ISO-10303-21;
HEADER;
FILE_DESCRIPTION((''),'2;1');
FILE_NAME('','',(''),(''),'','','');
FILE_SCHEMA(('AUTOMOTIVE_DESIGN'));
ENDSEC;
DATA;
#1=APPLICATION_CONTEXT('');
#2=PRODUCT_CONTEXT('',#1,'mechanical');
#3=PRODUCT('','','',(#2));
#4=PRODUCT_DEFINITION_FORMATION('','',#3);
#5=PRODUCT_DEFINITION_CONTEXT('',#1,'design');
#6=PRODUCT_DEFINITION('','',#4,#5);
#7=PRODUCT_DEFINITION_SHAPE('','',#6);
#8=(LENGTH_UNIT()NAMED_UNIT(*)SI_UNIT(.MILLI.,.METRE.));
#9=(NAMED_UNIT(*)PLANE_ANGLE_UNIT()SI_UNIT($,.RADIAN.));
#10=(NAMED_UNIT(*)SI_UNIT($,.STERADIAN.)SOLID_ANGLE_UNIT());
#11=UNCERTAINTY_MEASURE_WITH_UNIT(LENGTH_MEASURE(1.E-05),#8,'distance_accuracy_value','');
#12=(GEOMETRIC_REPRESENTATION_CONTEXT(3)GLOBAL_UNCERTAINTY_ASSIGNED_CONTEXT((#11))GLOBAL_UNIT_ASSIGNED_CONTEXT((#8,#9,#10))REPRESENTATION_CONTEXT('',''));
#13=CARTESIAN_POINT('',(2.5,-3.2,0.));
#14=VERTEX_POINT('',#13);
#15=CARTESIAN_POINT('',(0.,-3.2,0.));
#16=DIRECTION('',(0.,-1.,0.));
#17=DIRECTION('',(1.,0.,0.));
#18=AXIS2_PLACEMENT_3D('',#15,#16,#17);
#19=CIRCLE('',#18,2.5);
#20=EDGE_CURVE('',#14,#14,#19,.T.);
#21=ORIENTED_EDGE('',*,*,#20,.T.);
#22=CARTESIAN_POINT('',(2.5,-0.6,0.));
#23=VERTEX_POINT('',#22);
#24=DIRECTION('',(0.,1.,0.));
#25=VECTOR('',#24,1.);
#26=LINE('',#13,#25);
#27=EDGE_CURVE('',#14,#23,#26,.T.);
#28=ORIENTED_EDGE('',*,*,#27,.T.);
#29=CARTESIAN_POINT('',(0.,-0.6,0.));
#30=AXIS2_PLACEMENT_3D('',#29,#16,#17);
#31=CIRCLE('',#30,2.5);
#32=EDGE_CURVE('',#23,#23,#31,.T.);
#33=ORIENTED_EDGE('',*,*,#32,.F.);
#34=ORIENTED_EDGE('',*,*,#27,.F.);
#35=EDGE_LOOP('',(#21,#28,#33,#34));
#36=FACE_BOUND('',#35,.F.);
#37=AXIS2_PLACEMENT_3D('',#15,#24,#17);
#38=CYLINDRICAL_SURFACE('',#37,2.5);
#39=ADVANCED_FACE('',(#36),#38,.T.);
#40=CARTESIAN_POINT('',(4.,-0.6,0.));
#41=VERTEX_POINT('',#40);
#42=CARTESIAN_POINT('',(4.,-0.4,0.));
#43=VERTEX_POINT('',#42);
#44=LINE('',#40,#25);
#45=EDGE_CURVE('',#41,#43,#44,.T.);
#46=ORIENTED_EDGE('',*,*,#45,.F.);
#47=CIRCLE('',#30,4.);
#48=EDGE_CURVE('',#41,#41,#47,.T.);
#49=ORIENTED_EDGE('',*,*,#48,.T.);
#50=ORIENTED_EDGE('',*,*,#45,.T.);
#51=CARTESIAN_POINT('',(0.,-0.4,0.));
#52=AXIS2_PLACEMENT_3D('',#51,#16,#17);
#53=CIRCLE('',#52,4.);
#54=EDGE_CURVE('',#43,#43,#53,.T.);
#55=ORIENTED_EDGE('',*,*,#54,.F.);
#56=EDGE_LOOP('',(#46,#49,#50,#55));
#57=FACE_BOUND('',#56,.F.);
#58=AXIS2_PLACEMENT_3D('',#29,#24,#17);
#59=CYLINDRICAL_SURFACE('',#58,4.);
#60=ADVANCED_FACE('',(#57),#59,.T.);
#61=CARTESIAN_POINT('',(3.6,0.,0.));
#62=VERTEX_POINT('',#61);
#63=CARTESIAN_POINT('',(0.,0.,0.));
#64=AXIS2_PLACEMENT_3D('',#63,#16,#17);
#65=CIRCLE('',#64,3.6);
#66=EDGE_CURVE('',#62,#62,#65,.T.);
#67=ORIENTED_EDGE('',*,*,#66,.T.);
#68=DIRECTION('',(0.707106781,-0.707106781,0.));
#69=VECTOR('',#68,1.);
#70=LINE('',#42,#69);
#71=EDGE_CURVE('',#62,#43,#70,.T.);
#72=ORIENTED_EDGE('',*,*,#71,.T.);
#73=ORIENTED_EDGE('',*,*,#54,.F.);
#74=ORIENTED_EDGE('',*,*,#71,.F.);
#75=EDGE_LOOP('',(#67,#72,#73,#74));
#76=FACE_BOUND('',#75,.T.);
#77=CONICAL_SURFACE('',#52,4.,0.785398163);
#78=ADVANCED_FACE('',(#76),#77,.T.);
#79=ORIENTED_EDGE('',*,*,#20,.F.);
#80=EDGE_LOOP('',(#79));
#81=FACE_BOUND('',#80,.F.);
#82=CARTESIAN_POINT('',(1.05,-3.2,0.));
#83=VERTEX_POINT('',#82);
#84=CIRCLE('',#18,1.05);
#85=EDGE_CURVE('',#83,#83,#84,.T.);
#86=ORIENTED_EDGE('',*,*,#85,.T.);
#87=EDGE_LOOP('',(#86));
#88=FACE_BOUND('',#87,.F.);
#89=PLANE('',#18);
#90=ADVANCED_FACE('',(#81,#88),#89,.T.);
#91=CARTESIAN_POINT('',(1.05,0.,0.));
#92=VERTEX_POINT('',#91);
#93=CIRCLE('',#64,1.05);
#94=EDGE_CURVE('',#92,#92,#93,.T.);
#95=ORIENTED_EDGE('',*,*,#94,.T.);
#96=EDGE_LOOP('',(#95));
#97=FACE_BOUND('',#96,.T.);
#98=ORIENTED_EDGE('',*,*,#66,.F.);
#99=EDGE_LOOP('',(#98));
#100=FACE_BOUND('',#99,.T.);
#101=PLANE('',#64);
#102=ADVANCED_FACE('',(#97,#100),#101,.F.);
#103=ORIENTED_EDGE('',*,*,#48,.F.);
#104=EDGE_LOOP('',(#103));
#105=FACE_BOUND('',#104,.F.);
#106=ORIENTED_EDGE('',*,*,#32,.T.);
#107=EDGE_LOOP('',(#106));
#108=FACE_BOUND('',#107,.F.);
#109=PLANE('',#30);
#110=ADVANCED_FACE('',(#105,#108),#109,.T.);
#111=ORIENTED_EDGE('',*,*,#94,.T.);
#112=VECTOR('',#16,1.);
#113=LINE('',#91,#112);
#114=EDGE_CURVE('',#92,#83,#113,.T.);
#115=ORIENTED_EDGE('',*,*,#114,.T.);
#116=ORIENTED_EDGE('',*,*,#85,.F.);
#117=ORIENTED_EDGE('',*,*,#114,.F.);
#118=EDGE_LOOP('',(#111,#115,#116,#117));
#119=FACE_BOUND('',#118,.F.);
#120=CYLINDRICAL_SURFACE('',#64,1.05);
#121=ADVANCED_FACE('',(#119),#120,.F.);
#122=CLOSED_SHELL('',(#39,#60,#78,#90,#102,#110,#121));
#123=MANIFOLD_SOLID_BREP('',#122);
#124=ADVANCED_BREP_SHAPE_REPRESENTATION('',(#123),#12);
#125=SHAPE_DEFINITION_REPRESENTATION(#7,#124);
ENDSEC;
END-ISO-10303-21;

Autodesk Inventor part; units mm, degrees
ref_plane "YZ Plane" through (0, 0, 0) normal (1, 0, 0) x (0, 1, 0)
ref_plane "XZ Plane" through (0, 0, 0) normal (0, 1, 0) x (-1, 0, 0)
ref_plane "XY Plane" through (0, 0, 0) normal (0, 0, 1) x (1, 0, 0)
sketch "スケッチ1" plane through (0, 0, 0) normal (0, 0, 1) x (1, 0, 0)
  line L0 (0, 0.64) -> (0, -3.84) projected
  line L1 (-0.8, 0) -> (4.8, 0) projected
  line L2 (1.05, 0) -> (1.05, -3.2)
  line L3 (1.05, -3.2) -> (2.5, -3.2)
  line L4 (2.5, -3.2) -> (2.5, -0.6)
  line L5 (2.5, -0.6) -> (4, -0.6)
  line L6 (4, -0.6) -> (4, 0)
  line L7 (4, 0) -> (1.05, 0)
  point P0 (0, 0)
  dimension "d0" = 1.05
  dimension "d1" = 2.5
  dimension "d2" = 3.2
  dimension "d3" = 2.6
  dimension "d4" = 4
revolve "回転1" add sketch "スケッチ1" angle 360 about axis through (0, 0, 0) along (0, -1, 0)
chamfer "面取り1" distance 0.4 angle 45 1 edges at (-4, 0, 0)
properties part number "PocketPointBarPin" material "ABS プラスチック"
